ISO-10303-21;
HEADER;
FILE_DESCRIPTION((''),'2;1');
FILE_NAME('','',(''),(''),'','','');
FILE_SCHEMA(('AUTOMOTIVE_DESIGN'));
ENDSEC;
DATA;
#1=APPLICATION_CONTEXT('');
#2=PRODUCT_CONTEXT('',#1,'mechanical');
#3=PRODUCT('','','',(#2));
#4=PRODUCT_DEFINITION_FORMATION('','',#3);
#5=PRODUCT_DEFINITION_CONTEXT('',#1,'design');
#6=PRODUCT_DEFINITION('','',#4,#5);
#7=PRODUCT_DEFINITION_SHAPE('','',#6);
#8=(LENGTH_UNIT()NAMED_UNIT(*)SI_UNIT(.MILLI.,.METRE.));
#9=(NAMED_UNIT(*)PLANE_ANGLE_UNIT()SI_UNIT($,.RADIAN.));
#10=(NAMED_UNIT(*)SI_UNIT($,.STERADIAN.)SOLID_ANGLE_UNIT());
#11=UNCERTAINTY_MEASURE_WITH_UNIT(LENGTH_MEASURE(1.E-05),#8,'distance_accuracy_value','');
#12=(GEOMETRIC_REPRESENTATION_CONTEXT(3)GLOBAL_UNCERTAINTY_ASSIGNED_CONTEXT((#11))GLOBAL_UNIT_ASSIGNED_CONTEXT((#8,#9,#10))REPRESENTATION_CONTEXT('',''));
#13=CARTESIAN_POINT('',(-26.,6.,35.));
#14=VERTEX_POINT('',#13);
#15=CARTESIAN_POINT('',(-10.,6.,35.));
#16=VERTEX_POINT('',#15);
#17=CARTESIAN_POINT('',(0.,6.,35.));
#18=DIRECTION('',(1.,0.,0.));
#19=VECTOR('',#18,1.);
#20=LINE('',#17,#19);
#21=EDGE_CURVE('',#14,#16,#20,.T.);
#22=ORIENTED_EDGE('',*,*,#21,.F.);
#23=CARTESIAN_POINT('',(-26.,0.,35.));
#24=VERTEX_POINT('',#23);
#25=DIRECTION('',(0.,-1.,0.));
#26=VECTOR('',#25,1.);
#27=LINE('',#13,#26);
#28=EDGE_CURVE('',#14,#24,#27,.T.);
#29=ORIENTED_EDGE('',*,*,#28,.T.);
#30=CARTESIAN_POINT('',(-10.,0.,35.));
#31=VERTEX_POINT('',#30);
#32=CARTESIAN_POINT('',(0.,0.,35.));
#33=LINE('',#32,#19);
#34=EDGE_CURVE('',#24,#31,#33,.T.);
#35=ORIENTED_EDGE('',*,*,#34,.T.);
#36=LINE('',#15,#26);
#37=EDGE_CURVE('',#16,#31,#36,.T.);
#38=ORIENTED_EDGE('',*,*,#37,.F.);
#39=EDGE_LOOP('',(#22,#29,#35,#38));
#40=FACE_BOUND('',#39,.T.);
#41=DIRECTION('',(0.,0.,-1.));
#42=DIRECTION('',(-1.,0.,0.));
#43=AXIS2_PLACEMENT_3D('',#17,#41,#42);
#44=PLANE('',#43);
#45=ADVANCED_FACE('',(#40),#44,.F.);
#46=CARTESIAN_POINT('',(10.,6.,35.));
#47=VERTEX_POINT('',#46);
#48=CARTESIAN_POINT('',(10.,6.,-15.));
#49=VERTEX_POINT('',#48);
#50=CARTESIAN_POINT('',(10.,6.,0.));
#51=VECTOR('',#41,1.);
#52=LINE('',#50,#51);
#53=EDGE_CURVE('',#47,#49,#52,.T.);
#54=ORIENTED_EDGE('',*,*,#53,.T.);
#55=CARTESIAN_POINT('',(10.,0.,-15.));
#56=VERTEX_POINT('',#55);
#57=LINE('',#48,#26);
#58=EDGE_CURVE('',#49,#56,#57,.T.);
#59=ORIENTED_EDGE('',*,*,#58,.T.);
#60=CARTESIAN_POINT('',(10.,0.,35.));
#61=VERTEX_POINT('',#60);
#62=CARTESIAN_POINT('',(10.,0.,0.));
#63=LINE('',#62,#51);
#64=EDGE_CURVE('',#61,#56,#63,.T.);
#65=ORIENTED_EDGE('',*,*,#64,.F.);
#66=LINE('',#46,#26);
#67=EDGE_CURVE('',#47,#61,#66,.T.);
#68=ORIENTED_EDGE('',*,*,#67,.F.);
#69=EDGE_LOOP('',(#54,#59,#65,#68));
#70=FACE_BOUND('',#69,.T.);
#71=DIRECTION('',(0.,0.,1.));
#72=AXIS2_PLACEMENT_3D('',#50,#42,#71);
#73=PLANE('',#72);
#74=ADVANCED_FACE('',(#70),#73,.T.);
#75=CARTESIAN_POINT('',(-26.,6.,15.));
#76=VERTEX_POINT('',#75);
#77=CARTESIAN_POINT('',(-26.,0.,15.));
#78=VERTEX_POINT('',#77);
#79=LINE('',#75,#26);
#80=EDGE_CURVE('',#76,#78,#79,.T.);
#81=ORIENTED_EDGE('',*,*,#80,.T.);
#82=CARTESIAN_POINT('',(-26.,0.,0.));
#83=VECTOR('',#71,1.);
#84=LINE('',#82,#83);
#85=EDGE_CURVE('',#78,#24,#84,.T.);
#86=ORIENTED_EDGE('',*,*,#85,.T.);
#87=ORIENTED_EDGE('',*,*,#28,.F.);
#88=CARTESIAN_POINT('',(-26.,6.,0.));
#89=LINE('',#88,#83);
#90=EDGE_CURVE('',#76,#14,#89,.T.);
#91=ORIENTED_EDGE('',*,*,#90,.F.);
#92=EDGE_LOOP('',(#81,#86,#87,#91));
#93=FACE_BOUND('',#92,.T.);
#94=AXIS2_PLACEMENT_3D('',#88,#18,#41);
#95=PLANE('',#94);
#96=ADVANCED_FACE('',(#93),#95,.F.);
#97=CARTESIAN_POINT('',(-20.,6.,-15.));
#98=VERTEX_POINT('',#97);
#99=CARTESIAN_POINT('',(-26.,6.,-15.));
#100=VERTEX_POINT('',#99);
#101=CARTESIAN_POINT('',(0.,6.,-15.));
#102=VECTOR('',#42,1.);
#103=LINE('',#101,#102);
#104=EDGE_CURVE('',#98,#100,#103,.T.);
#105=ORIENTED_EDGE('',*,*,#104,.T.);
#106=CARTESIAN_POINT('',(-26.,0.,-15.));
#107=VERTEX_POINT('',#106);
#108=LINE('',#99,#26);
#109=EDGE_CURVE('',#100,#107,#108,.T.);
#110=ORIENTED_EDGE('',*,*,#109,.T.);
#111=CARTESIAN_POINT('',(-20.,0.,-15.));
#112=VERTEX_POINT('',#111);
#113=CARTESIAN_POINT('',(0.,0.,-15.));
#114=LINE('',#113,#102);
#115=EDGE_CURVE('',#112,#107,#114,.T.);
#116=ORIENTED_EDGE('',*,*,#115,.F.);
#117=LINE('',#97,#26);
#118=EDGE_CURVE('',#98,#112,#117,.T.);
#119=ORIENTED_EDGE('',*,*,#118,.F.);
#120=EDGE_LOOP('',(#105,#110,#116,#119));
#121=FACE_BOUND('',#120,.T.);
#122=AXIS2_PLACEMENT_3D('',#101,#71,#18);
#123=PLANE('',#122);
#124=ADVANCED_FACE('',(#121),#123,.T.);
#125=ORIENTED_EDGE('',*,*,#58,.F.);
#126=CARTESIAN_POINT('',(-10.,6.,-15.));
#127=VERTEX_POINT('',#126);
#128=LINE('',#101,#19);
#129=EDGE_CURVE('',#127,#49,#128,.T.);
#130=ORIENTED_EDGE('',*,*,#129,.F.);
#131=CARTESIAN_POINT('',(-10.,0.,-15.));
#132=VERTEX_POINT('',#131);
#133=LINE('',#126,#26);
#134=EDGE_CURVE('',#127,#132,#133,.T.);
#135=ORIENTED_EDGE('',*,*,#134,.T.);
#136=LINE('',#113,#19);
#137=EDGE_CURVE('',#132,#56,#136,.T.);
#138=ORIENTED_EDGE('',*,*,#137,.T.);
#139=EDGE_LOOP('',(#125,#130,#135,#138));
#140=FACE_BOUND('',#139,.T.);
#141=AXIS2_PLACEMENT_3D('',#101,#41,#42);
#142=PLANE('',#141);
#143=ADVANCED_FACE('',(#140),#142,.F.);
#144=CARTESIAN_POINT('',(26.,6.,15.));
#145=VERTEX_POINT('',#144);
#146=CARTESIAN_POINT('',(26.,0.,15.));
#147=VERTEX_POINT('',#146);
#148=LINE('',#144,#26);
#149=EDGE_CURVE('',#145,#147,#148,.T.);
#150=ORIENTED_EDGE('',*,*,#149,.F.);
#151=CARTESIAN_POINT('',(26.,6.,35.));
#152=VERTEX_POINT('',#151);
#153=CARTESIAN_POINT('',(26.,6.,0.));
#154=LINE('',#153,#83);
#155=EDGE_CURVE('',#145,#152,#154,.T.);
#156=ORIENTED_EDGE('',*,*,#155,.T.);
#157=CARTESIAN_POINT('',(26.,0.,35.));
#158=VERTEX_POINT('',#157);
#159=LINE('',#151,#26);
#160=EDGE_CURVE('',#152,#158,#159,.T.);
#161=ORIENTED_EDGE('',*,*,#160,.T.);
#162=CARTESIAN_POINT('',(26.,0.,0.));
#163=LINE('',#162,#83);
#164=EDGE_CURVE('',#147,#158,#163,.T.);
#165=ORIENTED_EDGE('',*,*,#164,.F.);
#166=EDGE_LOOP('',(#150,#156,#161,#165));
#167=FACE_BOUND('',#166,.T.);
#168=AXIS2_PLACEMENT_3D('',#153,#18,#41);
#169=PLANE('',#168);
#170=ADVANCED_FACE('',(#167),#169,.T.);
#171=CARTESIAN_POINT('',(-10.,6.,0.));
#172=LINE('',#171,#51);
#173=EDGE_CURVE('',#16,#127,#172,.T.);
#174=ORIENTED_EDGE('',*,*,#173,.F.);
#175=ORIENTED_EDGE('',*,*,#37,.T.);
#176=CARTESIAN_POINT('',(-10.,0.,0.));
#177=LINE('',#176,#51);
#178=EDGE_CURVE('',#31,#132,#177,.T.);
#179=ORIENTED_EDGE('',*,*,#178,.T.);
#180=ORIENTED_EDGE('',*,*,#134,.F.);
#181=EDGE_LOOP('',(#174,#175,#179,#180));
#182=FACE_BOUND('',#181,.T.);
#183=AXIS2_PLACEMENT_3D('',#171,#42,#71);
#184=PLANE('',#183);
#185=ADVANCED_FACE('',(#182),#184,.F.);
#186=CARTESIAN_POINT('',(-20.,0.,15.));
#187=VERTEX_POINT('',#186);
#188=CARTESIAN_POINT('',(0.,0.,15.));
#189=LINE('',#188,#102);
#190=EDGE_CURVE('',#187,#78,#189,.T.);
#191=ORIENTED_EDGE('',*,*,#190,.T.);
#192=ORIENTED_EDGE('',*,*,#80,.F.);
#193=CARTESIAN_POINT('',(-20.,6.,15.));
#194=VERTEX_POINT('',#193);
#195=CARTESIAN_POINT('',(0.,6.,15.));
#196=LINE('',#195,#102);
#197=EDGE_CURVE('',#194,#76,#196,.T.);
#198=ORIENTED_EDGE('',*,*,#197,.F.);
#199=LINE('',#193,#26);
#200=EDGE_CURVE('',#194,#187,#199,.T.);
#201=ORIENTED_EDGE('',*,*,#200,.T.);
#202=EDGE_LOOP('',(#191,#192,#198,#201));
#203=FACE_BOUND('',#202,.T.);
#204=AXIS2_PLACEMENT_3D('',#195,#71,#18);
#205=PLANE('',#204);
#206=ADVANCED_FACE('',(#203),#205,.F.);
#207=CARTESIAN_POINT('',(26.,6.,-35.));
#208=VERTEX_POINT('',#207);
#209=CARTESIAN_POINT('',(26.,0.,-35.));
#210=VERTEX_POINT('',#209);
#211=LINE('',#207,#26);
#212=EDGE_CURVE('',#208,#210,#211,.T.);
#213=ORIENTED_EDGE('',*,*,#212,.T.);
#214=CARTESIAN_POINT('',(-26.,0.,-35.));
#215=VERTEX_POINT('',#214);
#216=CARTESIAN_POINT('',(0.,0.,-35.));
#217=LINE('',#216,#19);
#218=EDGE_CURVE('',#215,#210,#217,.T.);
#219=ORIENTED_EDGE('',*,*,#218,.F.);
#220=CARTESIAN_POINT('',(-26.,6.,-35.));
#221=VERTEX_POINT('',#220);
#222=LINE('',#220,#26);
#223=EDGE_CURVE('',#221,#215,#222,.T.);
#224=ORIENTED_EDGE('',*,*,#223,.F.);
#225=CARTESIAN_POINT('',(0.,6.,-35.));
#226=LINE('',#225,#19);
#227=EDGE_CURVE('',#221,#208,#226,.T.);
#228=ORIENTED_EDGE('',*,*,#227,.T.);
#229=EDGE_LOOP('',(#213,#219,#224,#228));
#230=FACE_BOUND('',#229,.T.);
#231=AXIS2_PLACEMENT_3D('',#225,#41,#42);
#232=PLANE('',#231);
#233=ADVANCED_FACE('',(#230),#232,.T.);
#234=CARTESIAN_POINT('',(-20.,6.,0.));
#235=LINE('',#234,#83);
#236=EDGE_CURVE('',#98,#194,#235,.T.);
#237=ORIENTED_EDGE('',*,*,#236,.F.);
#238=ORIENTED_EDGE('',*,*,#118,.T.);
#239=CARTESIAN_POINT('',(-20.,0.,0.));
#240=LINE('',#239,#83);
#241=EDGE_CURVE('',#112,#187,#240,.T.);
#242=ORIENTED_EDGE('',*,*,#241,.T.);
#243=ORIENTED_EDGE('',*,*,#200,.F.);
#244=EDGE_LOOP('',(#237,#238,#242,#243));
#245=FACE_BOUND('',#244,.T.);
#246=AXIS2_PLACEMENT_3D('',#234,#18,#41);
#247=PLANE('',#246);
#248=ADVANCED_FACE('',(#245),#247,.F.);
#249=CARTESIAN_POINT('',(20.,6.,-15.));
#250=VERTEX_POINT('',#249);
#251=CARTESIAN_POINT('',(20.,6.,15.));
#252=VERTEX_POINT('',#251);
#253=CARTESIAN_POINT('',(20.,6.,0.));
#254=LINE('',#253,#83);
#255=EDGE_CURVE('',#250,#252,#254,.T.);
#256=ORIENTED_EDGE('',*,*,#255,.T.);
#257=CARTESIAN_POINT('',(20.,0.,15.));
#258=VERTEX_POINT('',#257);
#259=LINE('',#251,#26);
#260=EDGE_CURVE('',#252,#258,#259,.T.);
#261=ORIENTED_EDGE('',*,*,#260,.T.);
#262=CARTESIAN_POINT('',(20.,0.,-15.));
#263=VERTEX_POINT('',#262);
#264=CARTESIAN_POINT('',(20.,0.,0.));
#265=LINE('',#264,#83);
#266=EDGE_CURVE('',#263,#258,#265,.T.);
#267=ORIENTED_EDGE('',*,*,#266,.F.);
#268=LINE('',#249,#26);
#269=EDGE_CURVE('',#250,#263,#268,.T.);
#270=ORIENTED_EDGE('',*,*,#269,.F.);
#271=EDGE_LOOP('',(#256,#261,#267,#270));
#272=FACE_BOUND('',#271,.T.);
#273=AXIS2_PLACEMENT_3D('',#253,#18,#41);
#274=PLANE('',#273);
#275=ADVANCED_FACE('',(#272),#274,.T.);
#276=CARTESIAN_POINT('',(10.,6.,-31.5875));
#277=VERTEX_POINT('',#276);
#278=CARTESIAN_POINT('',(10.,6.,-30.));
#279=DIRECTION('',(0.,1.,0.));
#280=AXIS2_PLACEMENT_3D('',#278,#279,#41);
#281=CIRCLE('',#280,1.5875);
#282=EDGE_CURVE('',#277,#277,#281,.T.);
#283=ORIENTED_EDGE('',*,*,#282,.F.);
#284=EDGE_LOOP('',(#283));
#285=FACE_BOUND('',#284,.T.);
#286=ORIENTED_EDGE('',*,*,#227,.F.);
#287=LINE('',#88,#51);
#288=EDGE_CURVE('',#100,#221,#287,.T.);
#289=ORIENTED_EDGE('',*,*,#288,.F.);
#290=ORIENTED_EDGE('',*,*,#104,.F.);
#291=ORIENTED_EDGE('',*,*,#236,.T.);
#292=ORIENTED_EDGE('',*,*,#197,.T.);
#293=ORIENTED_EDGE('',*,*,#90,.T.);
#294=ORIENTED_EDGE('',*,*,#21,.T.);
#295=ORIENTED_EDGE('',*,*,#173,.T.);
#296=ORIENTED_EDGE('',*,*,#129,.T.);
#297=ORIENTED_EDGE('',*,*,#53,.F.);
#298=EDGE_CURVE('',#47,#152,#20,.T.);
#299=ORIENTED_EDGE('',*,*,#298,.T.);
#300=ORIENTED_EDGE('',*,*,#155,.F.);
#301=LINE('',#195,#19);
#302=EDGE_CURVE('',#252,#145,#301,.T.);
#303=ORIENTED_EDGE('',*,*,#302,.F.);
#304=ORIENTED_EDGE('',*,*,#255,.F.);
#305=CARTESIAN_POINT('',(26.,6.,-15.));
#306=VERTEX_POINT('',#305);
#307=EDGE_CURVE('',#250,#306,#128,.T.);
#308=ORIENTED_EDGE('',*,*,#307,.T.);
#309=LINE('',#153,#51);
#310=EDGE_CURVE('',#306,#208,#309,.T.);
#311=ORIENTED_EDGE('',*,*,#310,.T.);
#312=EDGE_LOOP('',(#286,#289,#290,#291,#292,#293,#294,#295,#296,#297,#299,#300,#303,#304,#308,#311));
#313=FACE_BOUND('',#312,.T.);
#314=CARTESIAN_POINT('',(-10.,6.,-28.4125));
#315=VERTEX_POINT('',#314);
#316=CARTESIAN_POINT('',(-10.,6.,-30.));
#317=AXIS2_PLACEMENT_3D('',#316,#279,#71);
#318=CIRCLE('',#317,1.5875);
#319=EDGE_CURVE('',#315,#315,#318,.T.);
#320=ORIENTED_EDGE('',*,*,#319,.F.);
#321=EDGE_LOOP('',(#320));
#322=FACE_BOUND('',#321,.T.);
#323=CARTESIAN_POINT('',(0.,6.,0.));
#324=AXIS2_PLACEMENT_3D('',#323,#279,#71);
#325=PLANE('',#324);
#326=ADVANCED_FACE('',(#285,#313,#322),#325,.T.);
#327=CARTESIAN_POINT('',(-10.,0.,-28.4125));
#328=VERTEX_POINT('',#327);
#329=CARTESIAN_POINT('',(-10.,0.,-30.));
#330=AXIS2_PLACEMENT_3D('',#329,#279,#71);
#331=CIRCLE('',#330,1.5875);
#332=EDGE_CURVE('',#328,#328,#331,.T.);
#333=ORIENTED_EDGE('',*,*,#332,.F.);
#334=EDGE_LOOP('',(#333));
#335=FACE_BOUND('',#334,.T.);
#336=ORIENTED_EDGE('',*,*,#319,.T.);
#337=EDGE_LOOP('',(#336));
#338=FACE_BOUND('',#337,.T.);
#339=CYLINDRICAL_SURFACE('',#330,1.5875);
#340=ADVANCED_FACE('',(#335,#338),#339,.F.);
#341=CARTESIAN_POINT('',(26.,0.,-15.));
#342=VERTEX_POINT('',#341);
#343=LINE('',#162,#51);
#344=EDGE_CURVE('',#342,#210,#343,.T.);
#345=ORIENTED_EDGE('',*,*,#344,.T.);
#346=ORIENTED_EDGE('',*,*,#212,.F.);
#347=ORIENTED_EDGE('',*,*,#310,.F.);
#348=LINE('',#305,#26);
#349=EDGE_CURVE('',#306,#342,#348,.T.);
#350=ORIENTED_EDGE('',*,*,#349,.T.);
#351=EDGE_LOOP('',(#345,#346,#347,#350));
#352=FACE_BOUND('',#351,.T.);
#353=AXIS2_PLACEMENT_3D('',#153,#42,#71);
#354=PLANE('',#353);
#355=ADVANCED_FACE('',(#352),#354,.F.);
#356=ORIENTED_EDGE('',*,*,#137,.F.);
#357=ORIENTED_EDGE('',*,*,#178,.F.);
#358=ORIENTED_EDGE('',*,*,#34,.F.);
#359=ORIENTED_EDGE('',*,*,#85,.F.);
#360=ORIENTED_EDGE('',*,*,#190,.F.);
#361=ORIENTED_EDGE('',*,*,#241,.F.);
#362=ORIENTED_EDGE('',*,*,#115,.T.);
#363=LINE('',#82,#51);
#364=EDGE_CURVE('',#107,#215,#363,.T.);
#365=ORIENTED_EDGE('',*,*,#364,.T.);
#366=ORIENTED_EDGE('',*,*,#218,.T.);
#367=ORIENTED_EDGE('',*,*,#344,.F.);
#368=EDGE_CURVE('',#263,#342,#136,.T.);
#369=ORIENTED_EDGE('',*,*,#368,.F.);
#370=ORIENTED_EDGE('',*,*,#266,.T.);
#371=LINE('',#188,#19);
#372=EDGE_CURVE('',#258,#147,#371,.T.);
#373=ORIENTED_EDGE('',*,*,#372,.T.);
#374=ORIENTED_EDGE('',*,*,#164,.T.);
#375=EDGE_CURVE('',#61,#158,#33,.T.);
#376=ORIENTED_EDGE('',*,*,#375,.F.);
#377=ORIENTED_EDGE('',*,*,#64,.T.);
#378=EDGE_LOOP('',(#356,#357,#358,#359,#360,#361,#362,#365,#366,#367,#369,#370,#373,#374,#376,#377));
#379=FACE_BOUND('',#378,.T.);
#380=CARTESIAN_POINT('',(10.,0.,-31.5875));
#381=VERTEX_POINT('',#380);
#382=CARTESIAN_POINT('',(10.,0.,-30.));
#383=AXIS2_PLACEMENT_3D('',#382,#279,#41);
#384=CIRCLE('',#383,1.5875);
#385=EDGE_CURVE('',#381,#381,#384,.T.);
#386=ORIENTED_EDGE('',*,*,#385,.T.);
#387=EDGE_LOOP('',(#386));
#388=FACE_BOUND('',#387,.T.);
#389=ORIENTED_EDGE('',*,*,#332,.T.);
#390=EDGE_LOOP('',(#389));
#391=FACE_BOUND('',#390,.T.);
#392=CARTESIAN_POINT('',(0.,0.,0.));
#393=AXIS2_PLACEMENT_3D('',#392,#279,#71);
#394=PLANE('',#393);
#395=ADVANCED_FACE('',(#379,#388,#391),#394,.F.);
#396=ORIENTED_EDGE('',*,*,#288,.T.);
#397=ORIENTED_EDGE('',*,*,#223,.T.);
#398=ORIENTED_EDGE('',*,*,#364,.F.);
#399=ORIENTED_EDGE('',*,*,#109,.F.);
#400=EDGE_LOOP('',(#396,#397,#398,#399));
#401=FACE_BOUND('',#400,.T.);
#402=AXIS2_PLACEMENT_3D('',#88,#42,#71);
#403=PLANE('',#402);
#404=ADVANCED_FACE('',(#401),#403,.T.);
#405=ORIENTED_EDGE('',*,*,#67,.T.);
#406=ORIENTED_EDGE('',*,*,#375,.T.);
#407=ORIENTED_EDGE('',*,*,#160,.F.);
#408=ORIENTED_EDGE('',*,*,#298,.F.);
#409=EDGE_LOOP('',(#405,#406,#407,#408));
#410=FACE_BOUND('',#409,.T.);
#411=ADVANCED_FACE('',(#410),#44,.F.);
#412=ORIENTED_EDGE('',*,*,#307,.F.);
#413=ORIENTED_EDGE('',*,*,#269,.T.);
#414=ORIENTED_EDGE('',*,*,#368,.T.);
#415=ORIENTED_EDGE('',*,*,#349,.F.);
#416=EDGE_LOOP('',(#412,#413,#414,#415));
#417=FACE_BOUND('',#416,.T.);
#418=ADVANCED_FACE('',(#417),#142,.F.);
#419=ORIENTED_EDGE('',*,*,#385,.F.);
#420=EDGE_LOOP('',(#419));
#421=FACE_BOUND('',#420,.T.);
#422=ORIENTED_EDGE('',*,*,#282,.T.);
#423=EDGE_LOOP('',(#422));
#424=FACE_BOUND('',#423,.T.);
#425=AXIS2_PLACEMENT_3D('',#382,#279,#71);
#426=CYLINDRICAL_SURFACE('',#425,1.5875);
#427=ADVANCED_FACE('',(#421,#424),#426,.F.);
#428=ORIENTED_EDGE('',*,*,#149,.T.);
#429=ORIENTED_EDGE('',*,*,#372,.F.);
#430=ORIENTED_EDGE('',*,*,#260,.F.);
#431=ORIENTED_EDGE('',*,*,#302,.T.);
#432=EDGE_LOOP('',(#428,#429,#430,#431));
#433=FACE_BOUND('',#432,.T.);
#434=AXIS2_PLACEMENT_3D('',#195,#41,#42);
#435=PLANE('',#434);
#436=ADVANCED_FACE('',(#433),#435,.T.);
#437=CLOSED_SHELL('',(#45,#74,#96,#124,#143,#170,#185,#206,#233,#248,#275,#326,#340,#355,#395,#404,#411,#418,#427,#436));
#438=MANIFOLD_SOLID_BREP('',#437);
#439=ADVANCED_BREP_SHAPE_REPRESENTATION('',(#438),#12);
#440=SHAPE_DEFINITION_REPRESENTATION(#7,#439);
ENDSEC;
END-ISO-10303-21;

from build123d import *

# Parameters (mm, degrees)
BOSS_EXTRUDE1_DEPTH = 6
SKETCH2_R           = 1.5875
CUT_EXTRUDE1_DEPTH  = 45.011362169


with BuildPart() as part:
    # Sketch1 → Boss-Extrude1 (new body)
    with BuildSketch(Plane(origin=(0, 0, 0), x_dir=(1, 0, 0), z_dir=(0, 1, 0))):
        Polygon((-10, -35), (-10, 15), (10, 15), (10, -35), (26, -35), (26, -15), (20, -15), (20, 15), (26, 15), (26, 35), (-26, 35), (-26, 15), (-20, 15), (-20, -15), (-26, -15), (-26, -35), align=None)
    extrude(amount=BOSS_EXTRUDE1_DEPTH)

    # Sketch2 → Cut-Extrude1 (cut, through all)
    with BuildSketch(Plane(origin=(0, 6, 0), x_dir=(1, 0, 0), z_dir=(0, 1, 0))):
        with Locations(Location((-10, 30, 0), (0, 0, 270))):
            Circle(SKETCH2_R)
        with Locations(Location((10, 30, 0), (0, 0, 90))):
            Circle(SKETCH2_R)
    extrude(amount=-CUT_EXTRUDE1_DEPTH, mode=Mode.SUBTRACT)


solid = part.part
